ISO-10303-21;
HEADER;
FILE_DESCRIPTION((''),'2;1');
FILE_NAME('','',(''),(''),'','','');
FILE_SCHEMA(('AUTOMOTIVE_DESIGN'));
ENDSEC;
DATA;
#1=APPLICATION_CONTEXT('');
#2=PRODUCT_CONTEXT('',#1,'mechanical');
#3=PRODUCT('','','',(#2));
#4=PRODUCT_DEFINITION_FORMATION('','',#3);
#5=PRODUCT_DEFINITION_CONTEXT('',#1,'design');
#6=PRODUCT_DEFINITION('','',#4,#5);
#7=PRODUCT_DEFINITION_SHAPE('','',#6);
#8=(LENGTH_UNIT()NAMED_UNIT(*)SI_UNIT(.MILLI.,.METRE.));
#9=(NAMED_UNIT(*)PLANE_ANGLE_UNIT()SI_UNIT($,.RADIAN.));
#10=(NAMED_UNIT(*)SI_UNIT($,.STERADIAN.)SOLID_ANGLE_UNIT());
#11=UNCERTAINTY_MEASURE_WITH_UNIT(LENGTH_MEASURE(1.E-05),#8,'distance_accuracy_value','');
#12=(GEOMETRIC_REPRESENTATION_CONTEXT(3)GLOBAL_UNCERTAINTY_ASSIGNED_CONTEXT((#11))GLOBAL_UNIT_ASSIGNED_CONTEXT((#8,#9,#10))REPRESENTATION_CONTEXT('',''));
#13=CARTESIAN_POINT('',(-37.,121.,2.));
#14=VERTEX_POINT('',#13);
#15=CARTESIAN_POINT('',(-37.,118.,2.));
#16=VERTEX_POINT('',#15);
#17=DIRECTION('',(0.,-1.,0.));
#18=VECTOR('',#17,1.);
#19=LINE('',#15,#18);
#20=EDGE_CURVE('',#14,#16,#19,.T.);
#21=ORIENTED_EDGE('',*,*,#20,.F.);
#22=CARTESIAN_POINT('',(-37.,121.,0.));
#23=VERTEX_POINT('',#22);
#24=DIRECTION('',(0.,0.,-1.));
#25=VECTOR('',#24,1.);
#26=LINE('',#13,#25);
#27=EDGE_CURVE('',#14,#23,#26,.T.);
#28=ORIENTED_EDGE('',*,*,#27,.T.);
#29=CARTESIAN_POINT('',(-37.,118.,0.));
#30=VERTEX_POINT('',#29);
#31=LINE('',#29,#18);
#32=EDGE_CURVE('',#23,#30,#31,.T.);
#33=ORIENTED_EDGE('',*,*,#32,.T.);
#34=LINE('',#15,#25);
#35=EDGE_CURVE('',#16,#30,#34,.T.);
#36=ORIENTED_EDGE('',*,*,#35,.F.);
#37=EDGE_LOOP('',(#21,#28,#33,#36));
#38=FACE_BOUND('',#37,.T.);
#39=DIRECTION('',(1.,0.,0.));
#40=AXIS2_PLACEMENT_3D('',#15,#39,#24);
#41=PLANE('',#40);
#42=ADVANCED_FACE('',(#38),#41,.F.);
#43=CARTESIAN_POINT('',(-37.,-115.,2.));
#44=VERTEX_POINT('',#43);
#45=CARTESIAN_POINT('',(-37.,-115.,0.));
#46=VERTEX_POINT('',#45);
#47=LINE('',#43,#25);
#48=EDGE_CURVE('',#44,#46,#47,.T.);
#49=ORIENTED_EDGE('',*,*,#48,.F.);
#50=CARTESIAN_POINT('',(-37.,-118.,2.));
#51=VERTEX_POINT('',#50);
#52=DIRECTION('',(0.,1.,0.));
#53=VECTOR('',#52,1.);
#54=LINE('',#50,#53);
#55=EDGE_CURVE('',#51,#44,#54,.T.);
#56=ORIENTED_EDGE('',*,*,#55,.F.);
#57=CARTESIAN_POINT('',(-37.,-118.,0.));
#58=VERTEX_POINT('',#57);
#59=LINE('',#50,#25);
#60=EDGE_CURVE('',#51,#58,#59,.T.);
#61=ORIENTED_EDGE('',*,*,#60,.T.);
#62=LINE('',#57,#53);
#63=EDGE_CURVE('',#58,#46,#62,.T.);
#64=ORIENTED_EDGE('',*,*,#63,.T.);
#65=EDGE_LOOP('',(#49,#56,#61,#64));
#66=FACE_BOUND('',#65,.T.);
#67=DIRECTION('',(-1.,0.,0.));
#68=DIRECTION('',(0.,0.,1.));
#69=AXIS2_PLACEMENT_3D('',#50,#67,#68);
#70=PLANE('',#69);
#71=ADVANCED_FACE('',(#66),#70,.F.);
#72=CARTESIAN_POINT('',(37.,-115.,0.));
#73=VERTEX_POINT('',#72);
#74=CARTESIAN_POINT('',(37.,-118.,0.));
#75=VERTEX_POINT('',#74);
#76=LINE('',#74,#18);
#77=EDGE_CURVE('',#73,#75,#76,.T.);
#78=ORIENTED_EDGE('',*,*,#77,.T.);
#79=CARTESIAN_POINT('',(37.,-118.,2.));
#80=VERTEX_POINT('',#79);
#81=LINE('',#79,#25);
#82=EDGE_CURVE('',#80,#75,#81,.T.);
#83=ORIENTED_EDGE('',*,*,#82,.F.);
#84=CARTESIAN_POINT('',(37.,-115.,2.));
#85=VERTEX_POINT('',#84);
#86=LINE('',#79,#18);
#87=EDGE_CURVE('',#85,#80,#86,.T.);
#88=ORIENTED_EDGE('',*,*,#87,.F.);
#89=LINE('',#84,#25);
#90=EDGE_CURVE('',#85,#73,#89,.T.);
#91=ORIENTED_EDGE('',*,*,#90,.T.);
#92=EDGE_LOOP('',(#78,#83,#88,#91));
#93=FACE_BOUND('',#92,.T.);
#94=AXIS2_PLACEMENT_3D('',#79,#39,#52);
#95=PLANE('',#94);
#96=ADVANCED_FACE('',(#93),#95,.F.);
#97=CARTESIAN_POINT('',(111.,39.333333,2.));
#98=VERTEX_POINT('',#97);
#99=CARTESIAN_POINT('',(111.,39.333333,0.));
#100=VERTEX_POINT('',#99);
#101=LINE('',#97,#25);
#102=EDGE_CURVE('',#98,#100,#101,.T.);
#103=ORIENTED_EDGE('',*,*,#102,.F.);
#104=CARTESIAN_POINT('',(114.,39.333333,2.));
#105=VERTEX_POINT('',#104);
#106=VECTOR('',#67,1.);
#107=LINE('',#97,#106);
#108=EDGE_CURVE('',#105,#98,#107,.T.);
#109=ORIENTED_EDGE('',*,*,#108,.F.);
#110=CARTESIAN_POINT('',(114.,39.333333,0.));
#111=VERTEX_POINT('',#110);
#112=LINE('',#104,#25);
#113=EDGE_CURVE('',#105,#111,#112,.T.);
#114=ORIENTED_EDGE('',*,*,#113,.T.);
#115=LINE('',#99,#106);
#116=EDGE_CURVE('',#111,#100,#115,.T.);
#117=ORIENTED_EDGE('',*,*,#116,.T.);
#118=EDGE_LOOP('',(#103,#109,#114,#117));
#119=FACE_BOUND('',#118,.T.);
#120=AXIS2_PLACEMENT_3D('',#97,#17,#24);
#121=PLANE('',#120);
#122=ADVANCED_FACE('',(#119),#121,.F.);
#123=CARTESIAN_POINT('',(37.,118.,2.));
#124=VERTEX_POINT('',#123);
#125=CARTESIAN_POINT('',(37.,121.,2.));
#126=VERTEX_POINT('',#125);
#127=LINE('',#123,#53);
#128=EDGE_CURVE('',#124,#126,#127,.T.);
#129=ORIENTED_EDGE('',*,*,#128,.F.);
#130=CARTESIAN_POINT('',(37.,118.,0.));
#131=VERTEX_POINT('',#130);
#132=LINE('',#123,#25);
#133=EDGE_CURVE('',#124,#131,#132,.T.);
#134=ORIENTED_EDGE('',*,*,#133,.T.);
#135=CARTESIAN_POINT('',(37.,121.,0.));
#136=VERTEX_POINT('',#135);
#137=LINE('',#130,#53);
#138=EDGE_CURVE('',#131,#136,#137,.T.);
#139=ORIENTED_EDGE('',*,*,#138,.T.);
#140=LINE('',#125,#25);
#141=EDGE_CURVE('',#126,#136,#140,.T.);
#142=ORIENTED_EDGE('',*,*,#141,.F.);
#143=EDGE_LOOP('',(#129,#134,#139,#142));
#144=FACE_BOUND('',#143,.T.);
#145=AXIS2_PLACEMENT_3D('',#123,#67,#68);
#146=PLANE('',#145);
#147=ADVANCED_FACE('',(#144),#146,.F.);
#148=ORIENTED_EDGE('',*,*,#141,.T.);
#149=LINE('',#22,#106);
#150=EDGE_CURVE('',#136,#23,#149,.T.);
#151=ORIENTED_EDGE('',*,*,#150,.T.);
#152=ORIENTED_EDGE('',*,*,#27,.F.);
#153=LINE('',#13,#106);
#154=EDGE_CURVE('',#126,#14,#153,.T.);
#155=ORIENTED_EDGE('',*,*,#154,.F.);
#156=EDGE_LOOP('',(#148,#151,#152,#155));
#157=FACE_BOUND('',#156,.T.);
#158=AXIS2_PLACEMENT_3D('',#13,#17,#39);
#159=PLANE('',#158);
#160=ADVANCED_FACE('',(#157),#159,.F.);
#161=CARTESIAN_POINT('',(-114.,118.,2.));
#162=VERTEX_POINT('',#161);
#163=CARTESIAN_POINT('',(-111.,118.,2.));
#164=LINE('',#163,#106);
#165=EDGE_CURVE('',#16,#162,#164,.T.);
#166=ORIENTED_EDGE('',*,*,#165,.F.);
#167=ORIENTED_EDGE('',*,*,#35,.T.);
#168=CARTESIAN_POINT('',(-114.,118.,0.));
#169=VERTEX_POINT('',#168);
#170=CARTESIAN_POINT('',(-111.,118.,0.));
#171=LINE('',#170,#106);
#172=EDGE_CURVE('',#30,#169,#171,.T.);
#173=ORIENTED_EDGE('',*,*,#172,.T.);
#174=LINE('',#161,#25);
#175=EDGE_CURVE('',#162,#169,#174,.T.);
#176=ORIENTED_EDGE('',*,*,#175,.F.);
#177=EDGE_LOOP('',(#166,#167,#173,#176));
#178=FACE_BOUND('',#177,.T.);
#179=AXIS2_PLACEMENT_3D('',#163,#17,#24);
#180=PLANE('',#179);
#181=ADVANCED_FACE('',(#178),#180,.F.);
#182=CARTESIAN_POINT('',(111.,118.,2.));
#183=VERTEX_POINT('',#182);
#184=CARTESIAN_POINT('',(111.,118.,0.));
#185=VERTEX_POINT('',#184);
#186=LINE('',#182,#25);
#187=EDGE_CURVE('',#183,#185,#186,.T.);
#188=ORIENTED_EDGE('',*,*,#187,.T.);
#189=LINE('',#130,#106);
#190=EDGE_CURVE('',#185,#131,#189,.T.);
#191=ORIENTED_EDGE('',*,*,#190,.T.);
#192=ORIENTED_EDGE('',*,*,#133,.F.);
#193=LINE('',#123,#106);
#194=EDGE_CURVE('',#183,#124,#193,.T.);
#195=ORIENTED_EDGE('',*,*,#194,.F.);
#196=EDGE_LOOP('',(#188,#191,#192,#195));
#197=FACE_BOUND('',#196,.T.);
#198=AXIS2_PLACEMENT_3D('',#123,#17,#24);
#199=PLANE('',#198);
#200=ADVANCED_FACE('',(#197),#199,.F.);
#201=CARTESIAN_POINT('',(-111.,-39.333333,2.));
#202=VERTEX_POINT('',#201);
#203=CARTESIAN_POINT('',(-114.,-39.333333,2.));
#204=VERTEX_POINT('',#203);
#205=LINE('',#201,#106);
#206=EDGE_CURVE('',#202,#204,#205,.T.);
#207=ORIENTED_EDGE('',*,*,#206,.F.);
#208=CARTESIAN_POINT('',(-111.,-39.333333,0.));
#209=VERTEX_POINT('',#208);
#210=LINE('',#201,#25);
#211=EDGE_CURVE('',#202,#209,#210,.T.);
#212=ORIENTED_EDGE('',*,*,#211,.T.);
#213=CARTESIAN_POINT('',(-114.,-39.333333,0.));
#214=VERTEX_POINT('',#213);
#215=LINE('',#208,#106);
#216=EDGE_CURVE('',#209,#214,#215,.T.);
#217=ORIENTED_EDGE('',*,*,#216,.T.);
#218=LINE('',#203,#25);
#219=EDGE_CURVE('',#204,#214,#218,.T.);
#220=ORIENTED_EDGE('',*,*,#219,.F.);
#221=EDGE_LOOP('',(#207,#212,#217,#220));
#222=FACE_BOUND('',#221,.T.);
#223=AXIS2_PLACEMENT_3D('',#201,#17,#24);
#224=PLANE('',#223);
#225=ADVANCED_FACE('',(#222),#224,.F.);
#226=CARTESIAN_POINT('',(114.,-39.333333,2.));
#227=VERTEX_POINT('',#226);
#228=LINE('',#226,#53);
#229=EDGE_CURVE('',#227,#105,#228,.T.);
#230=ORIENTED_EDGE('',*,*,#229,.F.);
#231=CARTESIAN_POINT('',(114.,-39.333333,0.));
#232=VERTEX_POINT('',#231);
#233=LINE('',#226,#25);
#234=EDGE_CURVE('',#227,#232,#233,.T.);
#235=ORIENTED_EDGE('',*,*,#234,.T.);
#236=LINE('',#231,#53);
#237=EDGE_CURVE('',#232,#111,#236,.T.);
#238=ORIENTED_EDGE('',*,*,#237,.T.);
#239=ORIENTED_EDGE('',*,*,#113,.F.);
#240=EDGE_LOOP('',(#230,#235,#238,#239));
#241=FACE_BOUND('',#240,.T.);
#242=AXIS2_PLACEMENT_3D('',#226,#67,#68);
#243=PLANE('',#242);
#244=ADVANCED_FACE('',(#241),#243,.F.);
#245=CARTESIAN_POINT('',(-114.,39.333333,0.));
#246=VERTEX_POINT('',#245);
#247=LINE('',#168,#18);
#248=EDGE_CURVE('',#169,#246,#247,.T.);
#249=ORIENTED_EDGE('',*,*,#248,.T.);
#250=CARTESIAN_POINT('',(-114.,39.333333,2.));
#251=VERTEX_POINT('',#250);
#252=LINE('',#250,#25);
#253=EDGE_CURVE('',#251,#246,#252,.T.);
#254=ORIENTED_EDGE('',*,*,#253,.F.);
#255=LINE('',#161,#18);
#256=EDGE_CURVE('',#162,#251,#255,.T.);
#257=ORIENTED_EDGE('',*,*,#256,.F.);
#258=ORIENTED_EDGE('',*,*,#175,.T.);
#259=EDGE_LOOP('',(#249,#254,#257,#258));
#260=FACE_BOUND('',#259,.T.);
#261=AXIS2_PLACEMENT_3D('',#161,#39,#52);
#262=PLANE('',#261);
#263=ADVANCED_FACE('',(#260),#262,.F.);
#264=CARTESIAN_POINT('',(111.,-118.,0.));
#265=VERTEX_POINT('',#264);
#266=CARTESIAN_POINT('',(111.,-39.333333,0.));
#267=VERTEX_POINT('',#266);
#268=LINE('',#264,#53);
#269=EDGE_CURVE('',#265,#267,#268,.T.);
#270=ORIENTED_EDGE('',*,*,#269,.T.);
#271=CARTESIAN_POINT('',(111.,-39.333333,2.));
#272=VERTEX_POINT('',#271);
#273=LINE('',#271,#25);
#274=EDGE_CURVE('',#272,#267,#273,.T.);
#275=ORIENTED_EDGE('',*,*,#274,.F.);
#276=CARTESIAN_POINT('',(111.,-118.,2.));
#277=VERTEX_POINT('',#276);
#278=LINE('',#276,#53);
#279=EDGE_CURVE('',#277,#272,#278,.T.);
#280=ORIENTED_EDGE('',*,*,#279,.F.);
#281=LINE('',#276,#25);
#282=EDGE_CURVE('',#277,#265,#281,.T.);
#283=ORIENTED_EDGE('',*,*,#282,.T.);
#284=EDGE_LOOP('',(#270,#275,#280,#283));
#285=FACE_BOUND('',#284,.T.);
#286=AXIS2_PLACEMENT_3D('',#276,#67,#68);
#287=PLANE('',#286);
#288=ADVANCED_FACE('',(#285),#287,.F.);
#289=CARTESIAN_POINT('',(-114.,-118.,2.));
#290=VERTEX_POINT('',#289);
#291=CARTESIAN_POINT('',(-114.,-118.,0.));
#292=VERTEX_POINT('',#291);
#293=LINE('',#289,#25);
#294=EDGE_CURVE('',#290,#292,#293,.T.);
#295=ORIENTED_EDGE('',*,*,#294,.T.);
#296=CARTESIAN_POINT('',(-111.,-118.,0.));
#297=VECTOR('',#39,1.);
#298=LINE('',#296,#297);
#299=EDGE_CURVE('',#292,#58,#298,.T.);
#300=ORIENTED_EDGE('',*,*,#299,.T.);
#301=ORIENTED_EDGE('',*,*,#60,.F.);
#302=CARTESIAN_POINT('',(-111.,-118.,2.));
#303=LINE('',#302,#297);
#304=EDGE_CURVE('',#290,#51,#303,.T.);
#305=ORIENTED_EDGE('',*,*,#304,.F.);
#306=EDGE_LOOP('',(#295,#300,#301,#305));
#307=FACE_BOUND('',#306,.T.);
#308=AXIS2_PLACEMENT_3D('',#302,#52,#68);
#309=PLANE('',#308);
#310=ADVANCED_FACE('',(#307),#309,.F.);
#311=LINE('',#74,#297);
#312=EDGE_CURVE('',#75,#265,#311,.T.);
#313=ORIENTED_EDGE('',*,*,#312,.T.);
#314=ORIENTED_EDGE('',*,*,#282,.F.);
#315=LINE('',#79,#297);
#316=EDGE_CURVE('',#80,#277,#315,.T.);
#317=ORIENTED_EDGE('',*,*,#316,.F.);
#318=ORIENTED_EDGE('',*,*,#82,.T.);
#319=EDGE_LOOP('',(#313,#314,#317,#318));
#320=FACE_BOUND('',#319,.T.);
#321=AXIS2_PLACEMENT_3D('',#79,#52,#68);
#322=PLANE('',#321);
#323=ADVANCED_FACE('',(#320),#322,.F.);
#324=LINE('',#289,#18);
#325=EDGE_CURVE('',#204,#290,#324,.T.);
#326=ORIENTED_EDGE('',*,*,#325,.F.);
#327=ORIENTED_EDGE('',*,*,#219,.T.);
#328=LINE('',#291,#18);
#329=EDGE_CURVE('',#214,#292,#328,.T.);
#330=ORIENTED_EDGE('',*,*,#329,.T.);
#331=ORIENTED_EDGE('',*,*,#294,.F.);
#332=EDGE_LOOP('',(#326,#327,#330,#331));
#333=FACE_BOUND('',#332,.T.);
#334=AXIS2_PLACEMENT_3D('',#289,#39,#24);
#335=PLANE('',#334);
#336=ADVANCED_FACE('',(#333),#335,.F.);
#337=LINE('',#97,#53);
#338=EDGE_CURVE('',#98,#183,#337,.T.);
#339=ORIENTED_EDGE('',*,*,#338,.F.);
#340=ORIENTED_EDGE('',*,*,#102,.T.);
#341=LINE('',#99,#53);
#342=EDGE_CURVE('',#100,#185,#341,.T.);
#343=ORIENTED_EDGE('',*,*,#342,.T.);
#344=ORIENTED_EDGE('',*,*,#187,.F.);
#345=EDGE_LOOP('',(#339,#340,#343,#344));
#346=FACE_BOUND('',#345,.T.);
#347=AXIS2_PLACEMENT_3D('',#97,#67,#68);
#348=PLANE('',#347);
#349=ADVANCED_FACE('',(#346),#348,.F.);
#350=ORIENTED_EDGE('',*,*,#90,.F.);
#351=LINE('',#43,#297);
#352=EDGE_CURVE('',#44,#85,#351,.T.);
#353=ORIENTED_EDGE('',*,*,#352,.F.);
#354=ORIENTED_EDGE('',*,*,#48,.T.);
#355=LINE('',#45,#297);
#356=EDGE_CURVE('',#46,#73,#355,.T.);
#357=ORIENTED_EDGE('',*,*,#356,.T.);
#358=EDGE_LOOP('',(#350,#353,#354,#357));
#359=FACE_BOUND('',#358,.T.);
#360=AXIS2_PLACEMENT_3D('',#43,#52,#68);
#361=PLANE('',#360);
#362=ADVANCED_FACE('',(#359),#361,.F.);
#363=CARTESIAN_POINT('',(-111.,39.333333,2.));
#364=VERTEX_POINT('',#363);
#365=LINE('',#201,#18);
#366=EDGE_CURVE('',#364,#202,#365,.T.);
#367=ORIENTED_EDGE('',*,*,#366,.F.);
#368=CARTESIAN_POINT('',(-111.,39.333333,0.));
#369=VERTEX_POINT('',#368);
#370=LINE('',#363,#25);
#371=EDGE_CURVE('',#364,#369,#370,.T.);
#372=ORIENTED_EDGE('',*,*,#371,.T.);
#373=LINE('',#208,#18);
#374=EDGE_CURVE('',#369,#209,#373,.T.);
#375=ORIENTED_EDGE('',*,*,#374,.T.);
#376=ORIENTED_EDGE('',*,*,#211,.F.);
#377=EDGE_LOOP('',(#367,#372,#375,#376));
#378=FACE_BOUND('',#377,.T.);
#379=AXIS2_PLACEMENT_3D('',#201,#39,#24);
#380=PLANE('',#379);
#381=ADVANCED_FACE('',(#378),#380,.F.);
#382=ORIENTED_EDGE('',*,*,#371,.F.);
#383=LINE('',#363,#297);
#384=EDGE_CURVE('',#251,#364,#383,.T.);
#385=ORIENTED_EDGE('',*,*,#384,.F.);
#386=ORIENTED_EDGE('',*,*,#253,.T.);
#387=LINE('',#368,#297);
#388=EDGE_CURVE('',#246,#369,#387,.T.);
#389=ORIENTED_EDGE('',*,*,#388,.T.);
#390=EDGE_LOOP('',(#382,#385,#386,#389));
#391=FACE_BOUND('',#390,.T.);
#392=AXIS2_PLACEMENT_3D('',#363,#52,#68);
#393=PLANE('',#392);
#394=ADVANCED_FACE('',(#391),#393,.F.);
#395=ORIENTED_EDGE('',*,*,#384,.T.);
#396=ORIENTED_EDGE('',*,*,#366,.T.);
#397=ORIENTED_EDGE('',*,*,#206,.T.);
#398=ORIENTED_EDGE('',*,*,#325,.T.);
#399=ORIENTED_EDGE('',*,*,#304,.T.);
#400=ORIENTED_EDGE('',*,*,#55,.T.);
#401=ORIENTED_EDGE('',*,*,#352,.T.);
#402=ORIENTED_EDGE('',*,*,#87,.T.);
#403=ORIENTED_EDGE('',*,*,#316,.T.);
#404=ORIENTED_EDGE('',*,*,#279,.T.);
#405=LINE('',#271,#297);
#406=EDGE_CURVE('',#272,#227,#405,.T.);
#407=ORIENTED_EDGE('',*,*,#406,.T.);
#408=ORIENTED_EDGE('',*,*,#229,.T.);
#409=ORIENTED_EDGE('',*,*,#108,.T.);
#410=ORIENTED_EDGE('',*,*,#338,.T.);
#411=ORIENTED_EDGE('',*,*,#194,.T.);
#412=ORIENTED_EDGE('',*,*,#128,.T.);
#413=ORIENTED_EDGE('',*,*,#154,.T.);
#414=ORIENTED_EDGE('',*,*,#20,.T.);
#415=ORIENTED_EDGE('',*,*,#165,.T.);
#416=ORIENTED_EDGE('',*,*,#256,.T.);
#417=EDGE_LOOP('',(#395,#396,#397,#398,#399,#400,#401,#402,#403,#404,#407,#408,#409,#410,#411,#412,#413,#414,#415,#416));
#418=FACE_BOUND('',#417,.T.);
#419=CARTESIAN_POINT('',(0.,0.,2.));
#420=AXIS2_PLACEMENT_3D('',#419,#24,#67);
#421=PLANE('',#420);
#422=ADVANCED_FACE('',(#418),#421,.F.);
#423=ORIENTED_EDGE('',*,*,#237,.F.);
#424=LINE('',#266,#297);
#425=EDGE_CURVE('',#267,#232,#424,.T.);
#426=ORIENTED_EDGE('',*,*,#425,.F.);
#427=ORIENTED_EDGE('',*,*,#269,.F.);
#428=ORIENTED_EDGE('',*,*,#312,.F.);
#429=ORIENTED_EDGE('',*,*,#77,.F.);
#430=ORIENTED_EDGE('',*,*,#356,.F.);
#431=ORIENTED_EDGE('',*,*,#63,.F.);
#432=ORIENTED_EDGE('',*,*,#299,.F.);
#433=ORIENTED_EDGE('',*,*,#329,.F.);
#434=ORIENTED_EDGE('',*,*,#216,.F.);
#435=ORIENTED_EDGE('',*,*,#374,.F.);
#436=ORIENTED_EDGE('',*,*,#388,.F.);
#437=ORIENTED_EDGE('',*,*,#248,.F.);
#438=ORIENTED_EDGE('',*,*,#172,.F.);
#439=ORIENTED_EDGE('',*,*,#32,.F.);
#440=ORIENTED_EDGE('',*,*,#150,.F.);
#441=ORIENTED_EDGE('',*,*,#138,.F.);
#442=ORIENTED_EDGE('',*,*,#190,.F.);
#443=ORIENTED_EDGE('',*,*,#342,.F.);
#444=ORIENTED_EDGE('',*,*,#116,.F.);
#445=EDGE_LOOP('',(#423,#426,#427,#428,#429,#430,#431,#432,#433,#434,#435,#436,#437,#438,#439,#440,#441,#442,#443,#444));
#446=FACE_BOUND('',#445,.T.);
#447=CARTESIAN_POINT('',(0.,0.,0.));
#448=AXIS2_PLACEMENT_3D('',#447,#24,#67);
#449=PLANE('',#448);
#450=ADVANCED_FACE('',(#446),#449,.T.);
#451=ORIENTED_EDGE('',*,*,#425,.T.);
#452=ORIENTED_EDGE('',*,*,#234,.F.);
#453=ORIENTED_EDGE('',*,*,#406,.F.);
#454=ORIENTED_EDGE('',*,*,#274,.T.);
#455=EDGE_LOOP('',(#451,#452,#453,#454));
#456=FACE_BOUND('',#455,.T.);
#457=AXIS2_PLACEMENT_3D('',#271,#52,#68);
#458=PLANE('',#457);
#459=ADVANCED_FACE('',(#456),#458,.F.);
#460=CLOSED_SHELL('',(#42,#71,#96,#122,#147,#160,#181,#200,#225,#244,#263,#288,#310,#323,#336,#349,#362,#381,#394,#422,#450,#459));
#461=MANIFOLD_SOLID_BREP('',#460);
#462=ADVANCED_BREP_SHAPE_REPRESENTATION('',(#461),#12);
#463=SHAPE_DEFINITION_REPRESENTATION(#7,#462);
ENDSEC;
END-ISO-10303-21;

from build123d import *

# Parameters (mm, degrees)
BOSS_EXTRUDE1_DEPTH = 2


with BuildPart() as part:
    # Sketch1 → Boss-Extrude1 (new body)
    with BuildSketch(Plane.XY):
        Polygon((37, -118), (111, -118), (111, -39.333333333), (114, -39.333333333), (114, 39.333333333), (111, 39.333333333), (111, 118), (37, 118), (37, 121), (-37, 121), (-37, 118), (-111, 118), (-114, 118), (-114, 39.333333333), (-111, 39.333333333), (-111, -39.333333333), (-114, -39.333333333), (-114, -118), (-111, -118), (-37, -118), (-37, -115), (37, -115), align=None)
    extrude(amount=BOSS_EXTRUDE1_DEPTH)


solid = part.part
